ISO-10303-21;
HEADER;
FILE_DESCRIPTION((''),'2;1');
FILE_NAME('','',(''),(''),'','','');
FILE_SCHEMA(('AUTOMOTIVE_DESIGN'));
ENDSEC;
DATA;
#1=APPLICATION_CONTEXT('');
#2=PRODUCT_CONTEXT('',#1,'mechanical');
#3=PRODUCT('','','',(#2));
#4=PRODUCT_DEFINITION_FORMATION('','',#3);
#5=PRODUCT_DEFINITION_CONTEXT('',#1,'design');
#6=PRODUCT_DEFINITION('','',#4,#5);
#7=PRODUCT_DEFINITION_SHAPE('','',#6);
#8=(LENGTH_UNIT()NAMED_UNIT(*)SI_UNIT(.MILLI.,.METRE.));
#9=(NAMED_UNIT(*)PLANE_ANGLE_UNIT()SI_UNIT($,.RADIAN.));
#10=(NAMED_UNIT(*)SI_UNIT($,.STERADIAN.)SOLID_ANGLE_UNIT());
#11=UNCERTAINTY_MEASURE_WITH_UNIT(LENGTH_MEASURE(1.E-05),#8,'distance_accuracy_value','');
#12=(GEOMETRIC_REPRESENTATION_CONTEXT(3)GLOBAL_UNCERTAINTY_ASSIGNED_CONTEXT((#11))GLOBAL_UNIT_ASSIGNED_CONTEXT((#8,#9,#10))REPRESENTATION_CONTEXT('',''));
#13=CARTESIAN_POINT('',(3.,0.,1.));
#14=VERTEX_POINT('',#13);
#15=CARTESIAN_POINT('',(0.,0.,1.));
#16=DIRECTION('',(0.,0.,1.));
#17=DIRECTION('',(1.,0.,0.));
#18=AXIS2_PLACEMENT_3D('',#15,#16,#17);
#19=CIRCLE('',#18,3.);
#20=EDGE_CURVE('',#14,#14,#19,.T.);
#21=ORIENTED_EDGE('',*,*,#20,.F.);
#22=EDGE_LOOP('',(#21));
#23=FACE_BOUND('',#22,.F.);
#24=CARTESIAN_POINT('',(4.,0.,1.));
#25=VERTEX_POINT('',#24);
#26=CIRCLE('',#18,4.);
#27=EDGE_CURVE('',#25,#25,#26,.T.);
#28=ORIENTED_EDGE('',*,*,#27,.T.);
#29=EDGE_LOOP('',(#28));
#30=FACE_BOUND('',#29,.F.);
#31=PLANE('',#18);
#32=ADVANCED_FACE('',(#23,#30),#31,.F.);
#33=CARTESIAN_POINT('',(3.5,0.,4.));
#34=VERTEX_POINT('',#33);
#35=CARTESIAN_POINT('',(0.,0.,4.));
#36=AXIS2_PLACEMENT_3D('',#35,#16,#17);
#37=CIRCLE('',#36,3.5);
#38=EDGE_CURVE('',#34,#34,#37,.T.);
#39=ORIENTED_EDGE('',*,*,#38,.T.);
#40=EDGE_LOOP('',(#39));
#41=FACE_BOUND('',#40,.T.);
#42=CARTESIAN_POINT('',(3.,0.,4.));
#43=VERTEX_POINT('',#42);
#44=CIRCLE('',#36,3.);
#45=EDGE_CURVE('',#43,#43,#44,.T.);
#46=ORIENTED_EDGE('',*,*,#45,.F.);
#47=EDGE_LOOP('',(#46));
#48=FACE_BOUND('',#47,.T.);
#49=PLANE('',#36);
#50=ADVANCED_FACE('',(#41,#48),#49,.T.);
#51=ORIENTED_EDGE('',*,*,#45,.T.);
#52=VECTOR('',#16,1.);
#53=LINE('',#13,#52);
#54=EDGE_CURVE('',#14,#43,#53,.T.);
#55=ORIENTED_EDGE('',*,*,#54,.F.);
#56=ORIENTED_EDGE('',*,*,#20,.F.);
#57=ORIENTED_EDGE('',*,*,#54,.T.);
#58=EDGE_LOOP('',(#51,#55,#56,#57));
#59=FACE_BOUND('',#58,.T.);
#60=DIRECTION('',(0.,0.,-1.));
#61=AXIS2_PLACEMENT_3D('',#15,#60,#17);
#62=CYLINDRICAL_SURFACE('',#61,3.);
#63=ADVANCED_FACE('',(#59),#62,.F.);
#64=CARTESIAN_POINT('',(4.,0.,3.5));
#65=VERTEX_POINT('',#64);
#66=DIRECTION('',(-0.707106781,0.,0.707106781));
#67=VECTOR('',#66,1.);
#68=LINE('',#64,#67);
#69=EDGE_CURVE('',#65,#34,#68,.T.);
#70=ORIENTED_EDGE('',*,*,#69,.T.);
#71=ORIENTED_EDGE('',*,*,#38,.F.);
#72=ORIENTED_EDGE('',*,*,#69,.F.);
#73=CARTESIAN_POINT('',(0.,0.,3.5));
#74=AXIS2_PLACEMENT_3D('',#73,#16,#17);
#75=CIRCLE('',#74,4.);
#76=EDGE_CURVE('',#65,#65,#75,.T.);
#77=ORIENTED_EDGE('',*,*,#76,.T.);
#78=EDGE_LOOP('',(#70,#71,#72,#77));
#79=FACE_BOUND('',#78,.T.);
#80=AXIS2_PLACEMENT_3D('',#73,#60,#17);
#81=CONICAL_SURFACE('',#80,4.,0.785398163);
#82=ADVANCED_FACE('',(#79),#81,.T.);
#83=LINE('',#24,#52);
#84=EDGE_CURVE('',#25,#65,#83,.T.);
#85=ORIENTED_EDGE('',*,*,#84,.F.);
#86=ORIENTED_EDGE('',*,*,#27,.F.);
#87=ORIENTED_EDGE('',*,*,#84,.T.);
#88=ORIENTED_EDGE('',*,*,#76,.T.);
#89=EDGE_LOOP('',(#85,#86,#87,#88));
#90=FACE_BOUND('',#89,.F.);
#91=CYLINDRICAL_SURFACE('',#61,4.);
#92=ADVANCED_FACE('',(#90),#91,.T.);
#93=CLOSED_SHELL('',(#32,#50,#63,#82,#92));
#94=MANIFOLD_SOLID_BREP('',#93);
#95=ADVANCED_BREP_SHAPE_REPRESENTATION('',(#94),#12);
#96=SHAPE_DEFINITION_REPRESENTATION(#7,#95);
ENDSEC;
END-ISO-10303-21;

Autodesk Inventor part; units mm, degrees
ref_plane "YZ Plane" through (0, 0, 0) normal (1, 0, 0) x (0, 1, 0)
ref_plane "XZ Plane" through (0, 0, 0) normal (0, 1, 0) x (-1, 0, 0)
sketch "スケッチ1" plane through (0, 0, 0) normal (0, 0, 1) x (1, 0, 0)
  circle A0 centre (0, 0) radius 5.5
  circle A1 centre (0, 0) radius 3
  dimension "d0" = 11
  dimension "d1" = 6
ref_plane "作業平面1" through (0, 0, 1) normal (0, 0, 1) x (1, 0, 0)
sketch "スケッチ2" plane through (0, 0, 1) normal (0, 0, 1) x (1, 0, 0)
  circle A0 centre (0, 0) radius 4
  circle A1 centre (0, 0) radius 3
  dimension "d4" = 8
extrude "押し出し2" add sketch "スケッチ2" along normal blind 3
chamfer "面取り2" distance 0.5 angle 45 1 edges at (-4, 0, 4)
properties part number "オイレス6-10" material "アセタール樹脂、黒"
